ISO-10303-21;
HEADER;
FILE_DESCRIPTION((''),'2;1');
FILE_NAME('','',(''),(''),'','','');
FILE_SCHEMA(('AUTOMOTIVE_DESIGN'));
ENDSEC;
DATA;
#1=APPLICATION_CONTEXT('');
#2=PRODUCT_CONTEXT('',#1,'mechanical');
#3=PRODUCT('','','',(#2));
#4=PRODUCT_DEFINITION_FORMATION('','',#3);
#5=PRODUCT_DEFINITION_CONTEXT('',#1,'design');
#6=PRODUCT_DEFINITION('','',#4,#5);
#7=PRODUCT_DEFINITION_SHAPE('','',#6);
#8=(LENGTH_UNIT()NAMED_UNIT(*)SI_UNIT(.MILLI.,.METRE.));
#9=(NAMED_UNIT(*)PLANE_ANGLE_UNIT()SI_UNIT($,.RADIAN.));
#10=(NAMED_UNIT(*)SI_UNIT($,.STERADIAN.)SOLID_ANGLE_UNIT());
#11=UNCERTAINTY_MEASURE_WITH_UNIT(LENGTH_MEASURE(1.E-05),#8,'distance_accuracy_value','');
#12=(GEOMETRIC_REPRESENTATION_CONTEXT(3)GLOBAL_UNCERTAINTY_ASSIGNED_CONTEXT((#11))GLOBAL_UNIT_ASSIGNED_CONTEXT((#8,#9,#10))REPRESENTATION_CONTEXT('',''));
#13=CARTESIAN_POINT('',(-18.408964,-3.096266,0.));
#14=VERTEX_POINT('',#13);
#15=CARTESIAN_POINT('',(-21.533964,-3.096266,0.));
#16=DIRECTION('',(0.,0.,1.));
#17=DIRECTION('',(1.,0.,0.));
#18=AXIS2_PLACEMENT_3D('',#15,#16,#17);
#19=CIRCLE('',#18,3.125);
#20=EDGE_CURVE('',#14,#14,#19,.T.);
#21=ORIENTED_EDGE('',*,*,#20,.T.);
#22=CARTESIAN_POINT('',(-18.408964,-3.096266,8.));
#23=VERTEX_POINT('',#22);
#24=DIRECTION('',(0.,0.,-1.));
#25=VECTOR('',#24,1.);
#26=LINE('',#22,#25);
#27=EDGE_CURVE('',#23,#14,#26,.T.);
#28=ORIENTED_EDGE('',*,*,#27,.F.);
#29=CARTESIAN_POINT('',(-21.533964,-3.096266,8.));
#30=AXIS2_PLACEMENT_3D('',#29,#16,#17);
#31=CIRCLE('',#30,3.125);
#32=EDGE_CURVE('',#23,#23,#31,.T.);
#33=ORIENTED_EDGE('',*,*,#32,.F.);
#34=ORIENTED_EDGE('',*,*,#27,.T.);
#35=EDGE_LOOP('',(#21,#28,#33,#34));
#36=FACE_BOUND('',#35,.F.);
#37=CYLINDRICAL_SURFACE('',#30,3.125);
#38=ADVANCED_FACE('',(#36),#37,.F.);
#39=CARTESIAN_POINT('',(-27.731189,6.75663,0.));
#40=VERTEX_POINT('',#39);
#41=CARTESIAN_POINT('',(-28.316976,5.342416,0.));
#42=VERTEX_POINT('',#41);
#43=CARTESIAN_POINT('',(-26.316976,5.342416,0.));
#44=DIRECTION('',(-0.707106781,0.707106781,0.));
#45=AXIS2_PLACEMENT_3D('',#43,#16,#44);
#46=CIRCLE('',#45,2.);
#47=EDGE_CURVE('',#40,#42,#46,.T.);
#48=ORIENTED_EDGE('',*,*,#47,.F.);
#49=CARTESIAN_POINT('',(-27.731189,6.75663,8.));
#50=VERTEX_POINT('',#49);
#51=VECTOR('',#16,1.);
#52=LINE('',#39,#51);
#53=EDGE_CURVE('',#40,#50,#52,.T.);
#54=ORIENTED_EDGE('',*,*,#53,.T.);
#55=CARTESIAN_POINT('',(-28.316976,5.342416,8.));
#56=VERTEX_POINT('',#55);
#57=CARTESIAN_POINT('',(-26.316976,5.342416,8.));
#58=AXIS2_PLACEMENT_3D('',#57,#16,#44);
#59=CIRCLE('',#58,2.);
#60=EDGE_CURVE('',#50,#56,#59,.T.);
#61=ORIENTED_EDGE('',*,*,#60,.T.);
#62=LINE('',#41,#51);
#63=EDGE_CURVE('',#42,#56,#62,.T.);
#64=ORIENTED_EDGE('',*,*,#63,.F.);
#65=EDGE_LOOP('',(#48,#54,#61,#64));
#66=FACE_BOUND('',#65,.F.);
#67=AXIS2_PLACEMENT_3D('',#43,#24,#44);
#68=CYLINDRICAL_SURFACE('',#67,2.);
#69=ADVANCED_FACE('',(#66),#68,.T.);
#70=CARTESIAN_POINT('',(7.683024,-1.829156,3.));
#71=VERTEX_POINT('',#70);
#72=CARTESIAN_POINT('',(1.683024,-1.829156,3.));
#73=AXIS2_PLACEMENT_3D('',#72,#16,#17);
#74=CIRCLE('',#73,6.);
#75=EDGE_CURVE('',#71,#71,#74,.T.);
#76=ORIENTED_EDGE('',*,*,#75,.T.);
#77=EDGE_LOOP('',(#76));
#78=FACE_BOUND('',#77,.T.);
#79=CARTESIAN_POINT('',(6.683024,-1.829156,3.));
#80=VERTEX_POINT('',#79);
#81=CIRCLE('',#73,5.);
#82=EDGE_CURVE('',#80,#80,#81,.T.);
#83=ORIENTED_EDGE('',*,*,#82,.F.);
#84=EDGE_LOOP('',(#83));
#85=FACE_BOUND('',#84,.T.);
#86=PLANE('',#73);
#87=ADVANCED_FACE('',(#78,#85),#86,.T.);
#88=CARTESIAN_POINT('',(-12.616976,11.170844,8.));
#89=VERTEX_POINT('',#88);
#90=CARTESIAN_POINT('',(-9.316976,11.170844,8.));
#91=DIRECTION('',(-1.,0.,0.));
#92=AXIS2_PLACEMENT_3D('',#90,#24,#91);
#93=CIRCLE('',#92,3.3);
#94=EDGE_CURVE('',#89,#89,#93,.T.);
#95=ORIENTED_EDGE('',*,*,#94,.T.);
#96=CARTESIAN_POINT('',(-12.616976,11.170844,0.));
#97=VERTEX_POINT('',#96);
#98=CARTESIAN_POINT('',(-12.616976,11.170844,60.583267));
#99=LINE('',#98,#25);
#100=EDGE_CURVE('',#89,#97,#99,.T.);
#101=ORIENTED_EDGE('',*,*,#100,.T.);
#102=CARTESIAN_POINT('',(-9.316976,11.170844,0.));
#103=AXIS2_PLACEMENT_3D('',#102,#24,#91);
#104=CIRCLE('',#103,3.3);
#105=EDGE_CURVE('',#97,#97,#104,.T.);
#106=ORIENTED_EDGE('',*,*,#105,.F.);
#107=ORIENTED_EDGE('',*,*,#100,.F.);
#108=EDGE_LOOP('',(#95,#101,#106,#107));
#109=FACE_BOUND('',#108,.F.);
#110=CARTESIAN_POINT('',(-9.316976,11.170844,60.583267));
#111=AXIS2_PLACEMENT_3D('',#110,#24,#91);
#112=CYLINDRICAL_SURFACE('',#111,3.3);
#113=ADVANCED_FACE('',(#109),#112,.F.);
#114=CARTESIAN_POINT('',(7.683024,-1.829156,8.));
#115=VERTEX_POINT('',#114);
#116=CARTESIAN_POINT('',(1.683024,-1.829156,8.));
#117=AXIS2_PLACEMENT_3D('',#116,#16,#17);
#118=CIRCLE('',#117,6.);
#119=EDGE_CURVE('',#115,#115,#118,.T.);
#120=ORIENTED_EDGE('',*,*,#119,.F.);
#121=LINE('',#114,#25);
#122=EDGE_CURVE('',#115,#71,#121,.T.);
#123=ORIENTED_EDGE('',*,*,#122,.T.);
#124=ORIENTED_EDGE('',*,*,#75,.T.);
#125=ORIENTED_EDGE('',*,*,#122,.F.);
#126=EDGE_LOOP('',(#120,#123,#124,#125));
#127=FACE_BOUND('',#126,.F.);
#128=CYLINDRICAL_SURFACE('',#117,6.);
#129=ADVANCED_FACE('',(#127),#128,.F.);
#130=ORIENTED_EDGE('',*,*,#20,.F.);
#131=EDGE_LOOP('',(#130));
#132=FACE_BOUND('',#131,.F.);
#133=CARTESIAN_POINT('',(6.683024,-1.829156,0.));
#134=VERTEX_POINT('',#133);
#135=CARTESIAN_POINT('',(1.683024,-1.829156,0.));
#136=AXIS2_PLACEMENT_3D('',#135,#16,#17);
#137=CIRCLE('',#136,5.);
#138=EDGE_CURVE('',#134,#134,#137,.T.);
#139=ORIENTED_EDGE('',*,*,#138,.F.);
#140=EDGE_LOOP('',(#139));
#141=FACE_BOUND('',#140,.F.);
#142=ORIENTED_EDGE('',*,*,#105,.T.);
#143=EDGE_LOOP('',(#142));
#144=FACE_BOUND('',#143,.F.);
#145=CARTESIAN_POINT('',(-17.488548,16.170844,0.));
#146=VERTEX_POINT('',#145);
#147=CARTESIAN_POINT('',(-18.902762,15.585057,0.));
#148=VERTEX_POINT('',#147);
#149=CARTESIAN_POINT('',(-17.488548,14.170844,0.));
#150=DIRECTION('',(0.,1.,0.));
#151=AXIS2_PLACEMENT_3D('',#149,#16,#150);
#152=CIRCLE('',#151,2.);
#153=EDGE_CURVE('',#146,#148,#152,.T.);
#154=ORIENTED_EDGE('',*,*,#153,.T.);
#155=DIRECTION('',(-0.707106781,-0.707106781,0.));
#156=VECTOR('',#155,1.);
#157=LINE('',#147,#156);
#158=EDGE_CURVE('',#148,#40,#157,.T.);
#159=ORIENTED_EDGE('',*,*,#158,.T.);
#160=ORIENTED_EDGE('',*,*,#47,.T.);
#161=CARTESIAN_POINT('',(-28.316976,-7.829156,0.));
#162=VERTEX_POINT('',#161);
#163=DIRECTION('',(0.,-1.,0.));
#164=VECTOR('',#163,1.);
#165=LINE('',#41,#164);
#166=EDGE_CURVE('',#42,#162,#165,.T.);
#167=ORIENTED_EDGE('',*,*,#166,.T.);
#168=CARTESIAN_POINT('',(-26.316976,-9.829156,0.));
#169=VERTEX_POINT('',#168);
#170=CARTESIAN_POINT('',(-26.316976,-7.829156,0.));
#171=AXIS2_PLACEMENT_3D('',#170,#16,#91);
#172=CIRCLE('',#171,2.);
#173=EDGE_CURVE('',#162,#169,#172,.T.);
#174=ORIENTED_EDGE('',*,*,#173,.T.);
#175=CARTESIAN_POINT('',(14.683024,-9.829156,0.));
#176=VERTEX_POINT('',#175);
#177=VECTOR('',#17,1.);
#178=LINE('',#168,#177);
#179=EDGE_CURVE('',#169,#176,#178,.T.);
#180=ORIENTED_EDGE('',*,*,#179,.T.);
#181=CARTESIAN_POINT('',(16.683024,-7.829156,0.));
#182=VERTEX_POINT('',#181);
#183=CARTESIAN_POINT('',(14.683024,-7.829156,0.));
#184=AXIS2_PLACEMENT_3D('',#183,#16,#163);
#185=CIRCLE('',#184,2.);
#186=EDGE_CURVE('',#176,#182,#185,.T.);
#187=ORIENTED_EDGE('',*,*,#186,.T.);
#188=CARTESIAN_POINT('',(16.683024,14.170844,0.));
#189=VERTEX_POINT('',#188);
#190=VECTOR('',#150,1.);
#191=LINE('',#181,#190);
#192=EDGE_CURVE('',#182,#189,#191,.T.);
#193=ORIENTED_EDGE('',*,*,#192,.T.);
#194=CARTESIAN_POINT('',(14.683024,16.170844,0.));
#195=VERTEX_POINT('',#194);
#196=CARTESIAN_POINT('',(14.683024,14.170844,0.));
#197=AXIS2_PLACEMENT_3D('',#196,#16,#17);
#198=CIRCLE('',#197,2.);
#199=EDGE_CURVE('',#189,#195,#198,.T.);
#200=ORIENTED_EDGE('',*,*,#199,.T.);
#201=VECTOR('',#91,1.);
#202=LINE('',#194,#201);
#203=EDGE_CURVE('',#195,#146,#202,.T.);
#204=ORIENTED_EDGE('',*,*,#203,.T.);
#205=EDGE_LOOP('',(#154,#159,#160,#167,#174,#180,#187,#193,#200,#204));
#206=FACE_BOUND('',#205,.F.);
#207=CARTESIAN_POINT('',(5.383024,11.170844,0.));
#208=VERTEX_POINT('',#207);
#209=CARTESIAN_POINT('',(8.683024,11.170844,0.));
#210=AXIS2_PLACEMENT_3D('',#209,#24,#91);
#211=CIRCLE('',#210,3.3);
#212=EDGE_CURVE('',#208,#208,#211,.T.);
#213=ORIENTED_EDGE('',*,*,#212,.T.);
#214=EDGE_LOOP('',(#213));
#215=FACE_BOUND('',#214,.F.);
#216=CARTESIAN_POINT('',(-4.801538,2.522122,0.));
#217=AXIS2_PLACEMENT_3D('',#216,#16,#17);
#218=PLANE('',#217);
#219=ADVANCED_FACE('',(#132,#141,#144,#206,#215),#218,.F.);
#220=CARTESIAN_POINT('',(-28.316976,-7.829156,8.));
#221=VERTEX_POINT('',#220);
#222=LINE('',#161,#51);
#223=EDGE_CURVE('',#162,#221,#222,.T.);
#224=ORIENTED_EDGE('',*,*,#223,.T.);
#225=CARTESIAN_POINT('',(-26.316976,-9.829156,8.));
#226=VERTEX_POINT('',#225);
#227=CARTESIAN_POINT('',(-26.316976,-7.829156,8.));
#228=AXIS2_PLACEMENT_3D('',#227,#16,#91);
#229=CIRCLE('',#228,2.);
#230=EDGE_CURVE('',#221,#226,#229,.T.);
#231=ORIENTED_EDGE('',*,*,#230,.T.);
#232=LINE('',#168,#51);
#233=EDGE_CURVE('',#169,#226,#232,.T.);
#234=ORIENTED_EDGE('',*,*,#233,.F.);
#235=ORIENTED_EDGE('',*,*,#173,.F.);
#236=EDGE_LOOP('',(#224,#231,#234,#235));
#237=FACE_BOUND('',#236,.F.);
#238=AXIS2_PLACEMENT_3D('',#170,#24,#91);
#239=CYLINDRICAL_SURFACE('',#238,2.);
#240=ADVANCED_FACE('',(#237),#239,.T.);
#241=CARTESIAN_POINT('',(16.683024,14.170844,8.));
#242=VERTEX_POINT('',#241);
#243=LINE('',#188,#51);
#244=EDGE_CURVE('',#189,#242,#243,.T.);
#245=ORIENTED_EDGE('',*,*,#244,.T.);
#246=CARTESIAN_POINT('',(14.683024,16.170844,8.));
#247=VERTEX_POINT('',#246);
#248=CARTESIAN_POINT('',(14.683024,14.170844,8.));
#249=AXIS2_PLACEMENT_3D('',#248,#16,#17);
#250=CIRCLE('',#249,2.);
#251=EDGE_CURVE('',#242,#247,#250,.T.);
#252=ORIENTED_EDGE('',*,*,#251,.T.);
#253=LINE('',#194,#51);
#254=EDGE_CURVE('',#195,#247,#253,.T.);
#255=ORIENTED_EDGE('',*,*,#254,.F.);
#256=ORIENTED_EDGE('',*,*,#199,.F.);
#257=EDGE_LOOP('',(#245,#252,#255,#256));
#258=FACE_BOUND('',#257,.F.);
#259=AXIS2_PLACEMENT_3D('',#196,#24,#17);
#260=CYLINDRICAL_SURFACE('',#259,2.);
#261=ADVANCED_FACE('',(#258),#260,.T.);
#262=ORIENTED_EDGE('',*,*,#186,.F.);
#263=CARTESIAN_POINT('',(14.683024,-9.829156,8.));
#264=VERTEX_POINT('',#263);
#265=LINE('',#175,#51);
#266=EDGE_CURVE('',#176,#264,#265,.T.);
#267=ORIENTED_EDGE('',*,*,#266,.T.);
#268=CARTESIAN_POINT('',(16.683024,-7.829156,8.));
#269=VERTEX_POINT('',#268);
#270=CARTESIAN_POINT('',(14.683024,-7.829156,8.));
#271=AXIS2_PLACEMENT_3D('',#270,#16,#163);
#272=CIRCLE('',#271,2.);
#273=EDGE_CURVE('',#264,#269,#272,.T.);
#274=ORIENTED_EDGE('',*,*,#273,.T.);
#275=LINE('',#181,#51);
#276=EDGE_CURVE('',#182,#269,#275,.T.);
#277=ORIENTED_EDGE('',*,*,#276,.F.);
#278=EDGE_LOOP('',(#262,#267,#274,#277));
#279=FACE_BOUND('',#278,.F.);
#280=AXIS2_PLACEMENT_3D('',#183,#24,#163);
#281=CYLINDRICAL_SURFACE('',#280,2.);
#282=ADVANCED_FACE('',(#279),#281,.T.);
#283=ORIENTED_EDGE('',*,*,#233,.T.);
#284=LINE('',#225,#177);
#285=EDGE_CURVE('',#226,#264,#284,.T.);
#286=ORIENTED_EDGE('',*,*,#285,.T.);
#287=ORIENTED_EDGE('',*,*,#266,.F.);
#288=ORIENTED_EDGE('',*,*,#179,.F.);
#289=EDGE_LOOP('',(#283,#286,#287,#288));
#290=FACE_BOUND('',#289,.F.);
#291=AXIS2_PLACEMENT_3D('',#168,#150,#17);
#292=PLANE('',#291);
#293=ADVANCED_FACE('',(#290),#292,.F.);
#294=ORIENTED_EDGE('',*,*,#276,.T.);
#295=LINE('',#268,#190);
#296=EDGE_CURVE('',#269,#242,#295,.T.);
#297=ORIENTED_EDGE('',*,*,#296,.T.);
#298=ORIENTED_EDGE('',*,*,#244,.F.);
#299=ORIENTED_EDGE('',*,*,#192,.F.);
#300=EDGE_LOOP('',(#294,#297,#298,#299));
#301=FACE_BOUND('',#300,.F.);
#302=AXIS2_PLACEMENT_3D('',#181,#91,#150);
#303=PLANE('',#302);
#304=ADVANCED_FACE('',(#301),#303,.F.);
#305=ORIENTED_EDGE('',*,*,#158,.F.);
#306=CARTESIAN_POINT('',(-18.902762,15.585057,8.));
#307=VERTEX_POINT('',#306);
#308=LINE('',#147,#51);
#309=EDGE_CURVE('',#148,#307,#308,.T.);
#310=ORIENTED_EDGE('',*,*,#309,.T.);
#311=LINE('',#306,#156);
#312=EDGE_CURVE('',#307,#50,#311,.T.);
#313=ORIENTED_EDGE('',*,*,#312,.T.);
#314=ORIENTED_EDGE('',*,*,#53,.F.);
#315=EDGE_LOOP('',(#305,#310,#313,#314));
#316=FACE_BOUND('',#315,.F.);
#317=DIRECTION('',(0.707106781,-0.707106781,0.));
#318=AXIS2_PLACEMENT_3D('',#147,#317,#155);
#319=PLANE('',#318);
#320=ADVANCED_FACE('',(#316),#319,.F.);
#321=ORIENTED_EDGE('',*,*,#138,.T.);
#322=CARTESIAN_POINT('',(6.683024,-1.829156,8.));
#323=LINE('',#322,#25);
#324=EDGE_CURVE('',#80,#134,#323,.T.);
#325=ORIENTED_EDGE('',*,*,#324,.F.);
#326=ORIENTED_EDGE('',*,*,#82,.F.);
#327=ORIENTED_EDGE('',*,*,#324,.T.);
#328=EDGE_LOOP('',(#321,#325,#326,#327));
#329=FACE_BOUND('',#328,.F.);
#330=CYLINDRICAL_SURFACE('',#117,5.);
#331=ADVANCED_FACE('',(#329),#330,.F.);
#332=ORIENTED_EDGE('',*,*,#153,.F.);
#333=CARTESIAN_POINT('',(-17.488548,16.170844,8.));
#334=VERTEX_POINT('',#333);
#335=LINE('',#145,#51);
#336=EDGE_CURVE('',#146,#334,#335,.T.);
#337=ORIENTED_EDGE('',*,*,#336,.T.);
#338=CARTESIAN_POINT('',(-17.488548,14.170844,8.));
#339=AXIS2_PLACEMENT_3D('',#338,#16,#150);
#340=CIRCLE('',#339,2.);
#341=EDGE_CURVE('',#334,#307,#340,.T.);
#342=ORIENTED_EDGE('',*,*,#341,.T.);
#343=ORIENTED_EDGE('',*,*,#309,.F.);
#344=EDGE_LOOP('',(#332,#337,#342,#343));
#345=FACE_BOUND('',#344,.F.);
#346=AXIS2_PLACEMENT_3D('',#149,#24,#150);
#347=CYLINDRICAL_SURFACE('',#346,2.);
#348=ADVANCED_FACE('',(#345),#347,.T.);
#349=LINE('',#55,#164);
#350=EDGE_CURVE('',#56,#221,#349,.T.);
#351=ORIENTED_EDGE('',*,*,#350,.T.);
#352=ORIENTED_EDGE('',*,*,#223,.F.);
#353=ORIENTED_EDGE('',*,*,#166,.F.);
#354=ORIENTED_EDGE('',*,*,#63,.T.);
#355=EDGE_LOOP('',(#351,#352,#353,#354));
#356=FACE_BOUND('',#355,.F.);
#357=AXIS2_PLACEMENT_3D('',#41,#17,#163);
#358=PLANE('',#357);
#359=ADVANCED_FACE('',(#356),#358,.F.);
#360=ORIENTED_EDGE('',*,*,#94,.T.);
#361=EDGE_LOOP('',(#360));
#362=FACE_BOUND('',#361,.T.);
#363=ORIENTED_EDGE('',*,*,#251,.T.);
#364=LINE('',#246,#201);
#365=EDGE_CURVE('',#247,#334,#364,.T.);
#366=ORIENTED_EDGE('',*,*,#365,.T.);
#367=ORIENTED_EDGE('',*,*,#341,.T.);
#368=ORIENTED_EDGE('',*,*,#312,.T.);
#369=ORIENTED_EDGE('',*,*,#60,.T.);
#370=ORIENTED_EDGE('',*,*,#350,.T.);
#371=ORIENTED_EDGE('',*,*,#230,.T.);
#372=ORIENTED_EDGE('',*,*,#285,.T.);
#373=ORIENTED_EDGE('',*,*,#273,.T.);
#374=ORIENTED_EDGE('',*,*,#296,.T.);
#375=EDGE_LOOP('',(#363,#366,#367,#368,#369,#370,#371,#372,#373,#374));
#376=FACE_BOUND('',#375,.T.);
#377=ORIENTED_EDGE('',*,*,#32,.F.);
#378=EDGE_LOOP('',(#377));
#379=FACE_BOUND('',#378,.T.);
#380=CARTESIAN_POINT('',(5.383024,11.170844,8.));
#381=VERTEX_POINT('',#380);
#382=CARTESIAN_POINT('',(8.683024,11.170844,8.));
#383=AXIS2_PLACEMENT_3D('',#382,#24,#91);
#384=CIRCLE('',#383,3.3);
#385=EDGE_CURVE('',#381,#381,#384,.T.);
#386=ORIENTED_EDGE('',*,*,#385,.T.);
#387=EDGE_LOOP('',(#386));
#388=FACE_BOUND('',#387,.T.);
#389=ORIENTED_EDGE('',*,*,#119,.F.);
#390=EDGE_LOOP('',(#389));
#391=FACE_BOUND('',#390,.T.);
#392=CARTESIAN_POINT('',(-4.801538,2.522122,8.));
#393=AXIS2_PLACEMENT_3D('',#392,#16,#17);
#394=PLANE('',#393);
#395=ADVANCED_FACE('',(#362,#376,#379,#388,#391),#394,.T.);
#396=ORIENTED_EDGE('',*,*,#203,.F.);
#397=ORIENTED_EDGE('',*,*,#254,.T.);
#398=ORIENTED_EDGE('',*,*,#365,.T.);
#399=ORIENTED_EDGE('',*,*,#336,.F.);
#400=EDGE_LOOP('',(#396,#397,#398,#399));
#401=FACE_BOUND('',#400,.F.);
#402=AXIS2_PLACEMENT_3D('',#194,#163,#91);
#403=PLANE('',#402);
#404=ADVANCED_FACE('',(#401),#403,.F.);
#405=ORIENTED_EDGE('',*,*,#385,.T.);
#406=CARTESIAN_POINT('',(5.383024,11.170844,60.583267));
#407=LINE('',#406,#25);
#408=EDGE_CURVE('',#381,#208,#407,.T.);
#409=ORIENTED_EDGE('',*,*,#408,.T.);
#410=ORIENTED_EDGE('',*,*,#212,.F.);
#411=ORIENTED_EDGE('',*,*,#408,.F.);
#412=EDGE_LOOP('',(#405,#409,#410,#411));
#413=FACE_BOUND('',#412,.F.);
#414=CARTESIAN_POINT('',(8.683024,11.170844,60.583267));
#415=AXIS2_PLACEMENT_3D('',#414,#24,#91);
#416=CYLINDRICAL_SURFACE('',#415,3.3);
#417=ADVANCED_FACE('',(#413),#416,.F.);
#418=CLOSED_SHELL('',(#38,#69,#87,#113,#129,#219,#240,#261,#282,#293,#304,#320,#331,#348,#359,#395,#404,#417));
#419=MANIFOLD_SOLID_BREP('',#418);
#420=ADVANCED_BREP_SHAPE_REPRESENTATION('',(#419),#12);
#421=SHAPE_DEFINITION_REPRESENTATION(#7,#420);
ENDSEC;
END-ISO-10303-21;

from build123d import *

# Parameters (mm, degrees)
F1_DEPTH = 8
F2_R     = 5
F3_DEPTH = 8.001
F4_R     = 6
F5_DEPTH = 5
F7_D     = 6.6
F8_R     = 3.125
F9_DEPTH = 8.001


with BuildPart() as f1:
    # F0 (on Top) → F1 (new body)
    with BuildSketch(Plane.XY):
        with BuildLine():
            ThreePointArc((-28.3169756085, -7.8291564448), (-27.7311891708, -9.2433700072), (-26.3169756085, -9.8291564448))
            Line((-26.3169756085, -9.8291564448), (14.6830243915, -9.8291564448))
            ThreePointArc((14.6830243915, -9.8291564448), (16.0972379539, -9.2433700072), (16.6830243915, -7.8291564448))
            Line((16.6830243915, -7.8291564448), (16.6830243915, 14.1708435552))
            ThreePointArc((16.6830243915, 14.1708435552), (16.0972379539, 15.5850571176), (14.6830243915, 16.1708435552))
            Line((14.6830243915, 16.1708435552), (-17.4885484837, 16.1708435552))
            ThreePointArc((-17.4885484837, 16.1708435552), (-18.2539153485, 16.0186026202), (-18.9027620461, 15.5850571176))
            Line((-18.9027620461, 15.5850571176), (-27.7311891708, 6.7566299928))
            ThreePointArc((-27.7311891708, 6.7566299928), (-28.1647346735, 6.1077832952), (-28.3169756085, 5.3424164305))
            Line((-28.3169756085, 5.3424164305), (-28.3169756085, -7.8291564448))
        make_face()
    extrude(amount=F1_DEPTH)

    # F2 (on face) → F3 (cut, through all)
    with BuildSketch(Plane.XY.offset(8)):
        with Locations((1.6830243915, -1.8291564448)):
            Circle(F2_R)
    extrude(amount=-F3_DEPTH, mode=Mode.SUBTRACT)

    # F4 (on face) → F5 (cut)
    with BuildSketch(Plane.XY.offset(8)):
        with Locations((1.6830243915, -1.8291564448)):
            Circle(F4_R)
    extrude(amount=-F5_DEPTH, mode=Mode.SUBTRACT)

    # F7 (through all)
    with Locations(Plane.XY.offset(8)):
        with Locations((-9.3169756085, 11.1708435552), (8.6830243915, 11.1708435552)):
            Hole(F7_D / 2)

    # F8 (on face) → F9 (cut, through all)
    with BuildSketch(Plane.XY.offset(8)):
        with Locations((-21.5339642018, -3.0962659512)):
            Circle(F8_R)
    extrude(amount=-F9_DEPTH, mode=Mode.SUBTRACT)


solid = f1.part
